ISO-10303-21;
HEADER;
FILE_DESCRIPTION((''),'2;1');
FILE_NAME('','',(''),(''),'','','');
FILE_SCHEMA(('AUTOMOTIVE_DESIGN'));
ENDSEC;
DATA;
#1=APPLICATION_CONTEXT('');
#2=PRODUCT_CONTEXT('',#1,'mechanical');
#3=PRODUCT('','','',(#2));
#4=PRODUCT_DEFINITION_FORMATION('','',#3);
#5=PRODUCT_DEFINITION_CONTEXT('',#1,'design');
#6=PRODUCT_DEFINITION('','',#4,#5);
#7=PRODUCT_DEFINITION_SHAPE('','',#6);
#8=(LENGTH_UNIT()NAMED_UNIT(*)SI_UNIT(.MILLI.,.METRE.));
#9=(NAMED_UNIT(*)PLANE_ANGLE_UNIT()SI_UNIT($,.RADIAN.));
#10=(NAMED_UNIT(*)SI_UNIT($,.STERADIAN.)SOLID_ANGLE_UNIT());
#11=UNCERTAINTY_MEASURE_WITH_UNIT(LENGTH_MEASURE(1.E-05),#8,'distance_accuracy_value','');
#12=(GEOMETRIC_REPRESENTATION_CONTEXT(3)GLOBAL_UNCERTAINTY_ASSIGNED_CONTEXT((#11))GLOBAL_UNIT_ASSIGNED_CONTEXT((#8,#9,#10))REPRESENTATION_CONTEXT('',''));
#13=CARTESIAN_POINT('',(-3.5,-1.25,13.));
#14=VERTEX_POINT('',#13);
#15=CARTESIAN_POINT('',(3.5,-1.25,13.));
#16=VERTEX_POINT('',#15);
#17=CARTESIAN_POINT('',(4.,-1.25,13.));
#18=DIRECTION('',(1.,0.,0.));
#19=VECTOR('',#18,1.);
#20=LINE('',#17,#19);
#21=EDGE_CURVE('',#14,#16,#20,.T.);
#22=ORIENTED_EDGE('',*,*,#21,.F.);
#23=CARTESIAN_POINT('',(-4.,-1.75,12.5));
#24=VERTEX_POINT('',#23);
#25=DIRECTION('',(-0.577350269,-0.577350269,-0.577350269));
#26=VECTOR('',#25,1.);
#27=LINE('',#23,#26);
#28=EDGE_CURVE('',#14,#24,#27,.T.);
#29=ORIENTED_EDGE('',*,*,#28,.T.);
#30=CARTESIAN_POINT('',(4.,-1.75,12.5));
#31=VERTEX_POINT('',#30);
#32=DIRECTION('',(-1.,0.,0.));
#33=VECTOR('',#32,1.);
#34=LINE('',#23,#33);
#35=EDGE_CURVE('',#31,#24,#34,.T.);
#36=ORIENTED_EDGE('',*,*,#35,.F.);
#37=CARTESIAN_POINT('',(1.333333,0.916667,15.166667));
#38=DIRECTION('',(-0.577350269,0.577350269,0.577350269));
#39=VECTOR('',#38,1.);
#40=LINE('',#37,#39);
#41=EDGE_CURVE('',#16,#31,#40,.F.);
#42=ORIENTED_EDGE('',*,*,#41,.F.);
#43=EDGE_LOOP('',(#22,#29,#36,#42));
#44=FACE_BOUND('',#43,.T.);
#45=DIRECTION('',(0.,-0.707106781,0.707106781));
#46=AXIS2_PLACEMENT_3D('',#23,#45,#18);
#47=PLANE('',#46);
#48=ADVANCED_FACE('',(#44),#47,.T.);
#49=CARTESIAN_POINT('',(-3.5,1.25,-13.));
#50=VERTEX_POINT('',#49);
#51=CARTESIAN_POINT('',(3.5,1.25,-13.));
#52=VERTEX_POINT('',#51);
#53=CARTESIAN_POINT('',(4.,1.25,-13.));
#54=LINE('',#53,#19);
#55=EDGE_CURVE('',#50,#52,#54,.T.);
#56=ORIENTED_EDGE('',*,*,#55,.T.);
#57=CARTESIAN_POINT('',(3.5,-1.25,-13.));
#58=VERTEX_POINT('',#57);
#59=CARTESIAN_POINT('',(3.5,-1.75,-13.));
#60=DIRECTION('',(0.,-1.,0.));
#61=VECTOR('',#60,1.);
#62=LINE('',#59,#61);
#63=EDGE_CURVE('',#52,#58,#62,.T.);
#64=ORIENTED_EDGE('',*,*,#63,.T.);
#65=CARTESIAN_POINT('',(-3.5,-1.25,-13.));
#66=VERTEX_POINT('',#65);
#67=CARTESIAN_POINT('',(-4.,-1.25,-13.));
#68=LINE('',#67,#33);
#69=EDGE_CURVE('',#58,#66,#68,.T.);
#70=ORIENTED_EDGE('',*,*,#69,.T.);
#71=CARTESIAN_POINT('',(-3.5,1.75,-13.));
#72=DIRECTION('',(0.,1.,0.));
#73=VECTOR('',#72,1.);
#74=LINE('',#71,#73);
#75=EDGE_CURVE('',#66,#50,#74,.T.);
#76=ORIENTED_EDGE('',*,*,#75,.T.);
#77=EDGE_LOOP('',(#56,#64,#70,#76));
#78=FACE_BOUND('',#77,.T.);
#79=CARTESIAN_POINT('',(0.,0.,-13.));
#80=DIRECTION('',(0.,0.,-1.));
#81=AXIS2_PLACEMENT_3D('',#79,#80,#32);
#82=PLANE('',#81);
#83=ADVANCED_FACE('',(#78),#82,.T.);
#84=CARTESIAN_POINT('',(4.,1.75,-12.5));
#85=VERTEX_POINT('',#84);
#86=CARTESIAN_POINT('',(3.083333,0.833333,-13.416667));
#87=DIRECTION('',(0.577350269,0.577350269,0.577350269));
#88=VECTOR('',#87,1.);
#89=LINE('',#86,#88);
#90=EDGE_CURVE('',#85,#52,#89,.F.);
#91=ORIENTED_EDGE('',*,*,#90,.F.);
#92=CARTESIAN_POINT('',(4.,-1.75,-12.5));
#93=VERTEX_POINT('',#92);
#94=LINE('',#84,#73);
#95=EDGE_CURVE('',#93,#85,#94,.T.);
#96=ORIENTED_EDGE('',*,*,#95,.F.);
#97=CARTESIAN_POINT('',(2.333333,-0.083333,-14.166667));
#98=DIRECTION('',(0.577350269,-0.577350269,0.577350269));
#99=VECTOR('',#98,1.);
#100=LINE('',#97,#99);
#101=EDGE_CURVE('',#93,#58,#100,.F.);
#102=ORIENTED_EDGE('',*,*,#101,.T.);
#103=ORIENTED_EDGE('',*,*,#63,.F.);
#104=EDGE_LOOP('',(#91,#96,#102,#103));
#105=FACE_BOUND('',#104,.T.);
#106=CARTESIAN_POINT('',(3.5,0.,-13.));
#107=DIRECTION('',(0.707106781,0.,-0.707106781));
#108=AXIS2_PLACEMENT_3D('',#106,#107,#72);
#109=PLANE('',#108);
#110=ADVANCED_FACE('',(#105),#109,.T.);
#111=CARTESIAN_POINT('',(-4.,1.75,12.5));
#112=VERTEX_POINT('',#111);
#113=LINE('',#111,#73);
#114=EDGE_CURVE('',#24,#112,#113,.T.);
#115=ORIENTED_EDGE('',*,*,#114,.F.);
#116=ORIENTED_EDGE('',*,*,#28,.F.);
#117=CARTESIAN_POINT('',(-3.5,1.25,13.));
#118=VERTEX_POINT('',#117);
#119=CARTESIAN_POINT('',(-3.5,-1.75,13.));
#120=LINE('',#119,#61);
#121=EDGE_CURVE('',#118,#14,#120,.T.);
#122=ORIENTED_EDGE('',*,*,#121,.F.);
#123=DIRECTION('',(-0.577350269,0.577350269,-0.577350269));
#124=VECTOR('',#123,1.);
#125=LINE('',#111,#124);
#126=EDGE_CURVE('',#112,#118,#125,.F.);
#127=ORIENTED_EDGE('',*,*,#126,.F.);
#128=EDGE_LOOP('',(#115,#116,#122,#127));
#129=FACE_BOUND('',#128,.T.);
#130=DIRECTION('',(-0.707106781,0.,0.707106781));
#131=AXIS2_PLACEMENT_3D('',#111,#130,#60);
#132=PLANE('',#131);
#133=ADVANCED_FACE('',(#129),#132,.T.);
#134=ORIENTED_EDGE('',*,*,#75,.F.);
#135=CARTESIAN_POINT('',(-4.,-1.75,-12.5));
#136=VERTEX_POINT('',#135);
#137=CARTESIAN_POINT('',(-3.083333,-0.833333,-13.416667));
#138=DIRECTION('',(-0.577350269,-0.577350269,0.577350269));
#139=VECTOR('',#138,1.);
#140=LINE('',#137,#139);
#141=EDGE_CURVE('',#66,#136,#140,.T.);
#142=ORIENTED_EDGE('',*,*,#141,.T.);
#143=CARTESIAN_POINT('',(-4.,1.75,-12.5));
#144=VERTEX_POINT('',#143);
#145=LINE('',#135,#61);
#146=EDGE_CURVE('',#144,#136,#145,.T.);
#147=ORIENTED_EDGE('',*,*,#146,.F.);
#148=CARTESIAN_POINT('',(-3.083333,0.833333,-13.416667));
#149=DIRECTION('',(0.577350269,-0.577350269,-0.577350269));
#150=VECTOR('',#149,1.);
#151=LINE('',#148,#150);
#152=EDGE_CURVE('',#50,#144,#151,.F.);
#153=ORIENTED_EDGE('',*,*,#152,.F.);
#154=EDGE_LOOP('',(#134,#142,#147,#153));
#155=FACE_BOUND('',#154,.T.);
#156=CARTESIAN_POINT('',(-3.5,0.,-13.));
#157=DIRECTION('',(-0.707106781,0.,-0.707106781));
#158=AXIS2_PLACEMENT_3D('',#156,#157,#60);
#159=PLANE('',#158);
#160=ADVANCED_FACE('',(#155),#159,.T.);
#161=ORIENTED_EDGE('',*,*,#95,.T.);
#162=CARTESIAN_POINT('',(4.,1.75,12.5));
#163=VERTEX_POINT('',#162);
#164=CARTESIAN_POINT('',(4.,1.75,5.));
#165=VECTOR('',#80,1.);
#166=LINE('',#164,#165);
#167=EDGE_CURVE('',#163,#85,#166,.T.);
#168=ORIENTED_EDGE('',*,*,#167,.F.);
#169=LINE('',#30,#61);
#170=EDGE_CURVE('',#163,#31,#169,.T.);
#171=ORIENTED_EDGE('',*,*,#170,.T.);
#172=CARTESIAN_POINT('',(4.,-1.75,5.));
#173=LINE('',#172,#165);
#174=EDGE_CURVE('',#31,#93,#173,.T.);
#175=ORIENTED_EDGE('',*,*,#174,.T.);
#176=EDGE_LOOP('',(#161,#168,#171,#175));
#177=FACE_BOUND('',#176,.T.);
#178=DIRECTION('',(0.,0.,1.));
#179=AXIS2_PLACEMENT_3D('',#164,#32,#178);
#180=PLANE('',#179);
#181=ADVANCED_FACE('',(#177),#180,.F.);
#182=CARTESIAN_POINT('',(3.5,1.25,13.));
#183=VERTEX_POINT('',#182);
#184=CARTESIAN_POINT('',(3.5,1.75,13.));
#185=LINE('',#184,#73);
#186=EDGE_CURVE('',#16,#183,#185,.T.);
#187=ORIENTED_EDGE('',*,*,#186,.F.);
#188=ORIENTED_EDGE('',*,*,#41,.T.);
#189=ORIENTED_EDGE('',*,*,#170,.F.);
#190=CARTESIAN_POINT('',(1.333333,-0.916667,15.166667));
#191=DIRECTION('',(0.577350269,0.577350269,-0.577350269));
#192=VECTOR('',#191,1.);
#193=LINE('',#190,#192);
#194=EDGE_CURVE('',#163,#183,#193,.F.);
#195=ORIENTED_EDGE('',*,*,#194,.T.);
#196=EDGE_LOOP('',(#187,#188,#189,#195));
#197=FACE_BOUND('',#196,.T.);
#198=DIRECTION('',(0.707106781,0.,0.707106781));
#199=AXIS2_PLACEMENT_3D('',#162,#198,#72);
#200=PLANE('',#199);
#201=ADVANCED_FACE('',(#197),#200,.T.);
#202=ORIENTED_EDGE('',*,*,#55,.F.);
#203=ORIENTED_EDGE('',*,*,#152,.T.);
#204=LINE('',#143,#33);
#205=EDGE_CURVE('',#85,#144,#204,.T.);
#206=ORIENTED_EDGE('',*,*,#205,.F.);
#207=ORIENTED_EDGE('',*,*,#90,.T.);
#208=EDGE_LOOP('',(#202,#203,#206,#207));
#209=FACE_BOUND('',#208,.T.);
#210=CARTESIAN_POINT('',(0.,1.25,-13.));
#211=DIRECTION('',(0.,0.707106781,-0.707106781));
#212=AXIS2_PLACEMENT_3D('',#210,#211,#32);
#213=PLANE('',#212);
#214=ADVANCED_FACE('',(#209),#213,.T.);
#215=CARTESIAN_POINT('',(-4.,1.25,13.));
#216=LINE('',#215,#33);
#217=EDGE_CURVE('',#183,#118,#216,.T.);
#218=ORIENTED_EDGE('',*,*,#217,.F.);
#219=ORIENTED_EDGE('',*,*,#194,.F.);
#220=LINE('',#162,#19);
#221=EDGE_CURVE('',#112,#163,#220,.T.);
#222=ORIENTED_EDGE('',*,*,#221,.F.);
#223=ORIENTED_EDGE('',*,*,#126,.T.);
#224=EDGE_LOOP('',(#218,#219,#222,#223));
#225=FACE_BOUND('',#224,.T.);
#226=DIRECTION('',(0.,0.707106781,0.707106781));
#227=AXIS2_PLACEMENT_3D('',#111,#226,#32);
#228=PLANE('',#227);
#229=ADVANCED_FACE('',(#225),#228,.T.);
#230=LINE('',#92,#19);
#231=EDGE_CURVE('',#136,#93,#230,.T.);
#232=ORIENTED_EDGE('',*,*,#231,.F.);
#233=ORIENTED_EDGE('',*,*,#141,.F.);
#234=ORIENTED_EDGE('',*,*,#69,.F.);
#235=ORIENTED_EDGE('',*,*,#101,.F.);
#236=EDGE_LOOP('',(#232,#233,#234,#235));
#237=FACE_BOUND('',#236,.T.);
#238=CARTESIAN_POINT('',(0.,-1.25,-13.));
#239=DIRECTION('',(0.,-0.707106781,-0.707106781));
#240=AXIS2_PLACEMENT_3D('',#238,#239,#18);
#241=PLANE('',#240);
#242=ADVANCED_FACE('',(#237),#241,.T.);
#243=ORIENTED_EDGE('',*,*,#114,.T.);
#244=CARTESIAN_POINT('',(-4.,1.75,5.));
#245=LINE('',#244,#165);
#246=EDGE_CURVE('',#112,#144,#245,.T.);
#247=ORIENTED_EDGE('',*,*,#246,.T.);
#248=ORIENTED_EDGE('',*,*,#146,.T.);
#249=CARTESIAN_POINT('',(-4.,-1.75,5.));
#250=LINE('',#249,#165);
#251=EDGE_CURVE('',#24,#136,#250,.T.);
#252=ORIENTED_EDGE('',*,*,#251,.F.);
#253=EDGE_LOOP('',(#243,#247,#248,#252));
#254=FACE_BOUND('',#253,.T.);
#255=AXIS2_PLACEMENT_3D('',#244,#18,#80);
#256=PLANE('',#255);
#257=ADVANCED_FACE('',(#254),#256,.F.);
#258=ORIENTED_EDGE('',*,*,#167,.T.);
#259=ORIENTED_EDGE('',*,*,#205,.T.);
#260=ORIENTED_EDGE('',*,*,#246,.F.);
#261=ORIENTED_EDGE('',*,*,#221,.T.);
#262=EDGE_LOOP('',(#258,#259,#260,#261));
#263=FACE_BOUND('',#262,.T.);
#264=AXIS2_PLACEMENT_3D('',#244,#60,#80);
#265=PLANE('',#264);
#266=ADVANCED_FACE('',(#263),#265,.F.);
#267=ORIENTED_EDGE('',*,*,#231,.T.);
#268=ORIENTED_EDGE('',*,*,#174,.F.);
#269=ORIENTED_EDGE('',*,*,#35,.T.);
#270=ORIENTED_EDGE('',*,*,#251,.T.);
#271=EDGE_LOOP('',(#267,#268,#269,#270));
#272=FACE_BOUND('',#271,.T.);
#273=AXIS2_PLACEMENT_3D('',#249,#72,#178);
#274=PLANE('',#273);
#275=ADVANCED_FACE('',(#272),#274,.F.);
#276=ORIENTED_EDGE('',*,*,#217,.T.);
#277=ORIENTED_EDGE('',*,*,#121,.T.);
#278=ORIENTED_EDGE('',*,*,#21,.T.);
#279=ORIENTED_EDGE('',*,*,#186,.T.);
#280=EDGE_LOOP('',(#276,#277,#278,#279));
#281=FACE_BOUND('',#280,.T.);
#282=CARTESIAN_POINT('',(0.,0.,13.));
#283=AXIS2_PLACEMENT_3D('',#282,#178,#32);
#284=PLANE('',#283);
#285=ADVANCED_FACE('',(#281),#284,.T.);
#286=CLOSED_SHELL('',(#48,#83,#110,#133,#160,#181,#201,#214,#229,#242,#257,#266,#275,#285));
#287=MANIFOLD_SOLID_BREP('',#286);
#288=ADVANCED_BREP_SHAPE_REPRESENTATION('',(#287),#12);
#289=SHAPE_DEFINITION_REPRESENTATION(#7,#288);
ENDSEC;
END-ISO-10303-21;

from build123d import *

# Parameters (mm, degrees)
SKETCH1_W           = 8
SKETCH1_H           = 3.5
BOSS_EXTRUDE1_DEPTH = 5
SKETCH2_W           = 8
SKETCH2_H           = 3.5
BOSS_EXTRUDE2_DEPTH = 8
CHAMFER1_SIZE       = 0.5


with BuildPart() as part:
    # Sketch1 → Boss-Extrude1 (new, symmetric)
    with BuildSketch(Plane.XY):
        Rectangle(SKETCH1_W, SKETCH1_H)
    extrude(amount=BOSS_EXTRUDE1_DEPTH, both=True)

    # Sketch2 → Boss-Extrude2 (add)
    with BuildSketch(Plane(origin=(0, 0, -5), x_dir=(-1, 0, 0), z_dir=(0, 0, -1))):
        Rectangle(SKETCH2_W, SKETCH2_H)
    boss_extrude2 = extrude(amount=BOSS_EXTRUDE2_DEPTH)

    # Mirror1: Boss-Extrude2 across plane
    add(boss_extrude2.mirror(Plane.XY))

    # Chamfer1
    chamfer1_edges = [part.edges().sort_by_distance(p)[0] for p in [
        (-4, 0, -13),
        (0, 1.75, -13),
        (4, 0, -13),
        (0, -1.75, -13),
        (-4, 0, 13),
        (0, -1.75, 13),
        (4, 0, 13),
        (0, 1.75, 13),
    ]]
    chamfer(chamfer1_edges, length=CHAMFER1_SIZE)


solid = part.part
